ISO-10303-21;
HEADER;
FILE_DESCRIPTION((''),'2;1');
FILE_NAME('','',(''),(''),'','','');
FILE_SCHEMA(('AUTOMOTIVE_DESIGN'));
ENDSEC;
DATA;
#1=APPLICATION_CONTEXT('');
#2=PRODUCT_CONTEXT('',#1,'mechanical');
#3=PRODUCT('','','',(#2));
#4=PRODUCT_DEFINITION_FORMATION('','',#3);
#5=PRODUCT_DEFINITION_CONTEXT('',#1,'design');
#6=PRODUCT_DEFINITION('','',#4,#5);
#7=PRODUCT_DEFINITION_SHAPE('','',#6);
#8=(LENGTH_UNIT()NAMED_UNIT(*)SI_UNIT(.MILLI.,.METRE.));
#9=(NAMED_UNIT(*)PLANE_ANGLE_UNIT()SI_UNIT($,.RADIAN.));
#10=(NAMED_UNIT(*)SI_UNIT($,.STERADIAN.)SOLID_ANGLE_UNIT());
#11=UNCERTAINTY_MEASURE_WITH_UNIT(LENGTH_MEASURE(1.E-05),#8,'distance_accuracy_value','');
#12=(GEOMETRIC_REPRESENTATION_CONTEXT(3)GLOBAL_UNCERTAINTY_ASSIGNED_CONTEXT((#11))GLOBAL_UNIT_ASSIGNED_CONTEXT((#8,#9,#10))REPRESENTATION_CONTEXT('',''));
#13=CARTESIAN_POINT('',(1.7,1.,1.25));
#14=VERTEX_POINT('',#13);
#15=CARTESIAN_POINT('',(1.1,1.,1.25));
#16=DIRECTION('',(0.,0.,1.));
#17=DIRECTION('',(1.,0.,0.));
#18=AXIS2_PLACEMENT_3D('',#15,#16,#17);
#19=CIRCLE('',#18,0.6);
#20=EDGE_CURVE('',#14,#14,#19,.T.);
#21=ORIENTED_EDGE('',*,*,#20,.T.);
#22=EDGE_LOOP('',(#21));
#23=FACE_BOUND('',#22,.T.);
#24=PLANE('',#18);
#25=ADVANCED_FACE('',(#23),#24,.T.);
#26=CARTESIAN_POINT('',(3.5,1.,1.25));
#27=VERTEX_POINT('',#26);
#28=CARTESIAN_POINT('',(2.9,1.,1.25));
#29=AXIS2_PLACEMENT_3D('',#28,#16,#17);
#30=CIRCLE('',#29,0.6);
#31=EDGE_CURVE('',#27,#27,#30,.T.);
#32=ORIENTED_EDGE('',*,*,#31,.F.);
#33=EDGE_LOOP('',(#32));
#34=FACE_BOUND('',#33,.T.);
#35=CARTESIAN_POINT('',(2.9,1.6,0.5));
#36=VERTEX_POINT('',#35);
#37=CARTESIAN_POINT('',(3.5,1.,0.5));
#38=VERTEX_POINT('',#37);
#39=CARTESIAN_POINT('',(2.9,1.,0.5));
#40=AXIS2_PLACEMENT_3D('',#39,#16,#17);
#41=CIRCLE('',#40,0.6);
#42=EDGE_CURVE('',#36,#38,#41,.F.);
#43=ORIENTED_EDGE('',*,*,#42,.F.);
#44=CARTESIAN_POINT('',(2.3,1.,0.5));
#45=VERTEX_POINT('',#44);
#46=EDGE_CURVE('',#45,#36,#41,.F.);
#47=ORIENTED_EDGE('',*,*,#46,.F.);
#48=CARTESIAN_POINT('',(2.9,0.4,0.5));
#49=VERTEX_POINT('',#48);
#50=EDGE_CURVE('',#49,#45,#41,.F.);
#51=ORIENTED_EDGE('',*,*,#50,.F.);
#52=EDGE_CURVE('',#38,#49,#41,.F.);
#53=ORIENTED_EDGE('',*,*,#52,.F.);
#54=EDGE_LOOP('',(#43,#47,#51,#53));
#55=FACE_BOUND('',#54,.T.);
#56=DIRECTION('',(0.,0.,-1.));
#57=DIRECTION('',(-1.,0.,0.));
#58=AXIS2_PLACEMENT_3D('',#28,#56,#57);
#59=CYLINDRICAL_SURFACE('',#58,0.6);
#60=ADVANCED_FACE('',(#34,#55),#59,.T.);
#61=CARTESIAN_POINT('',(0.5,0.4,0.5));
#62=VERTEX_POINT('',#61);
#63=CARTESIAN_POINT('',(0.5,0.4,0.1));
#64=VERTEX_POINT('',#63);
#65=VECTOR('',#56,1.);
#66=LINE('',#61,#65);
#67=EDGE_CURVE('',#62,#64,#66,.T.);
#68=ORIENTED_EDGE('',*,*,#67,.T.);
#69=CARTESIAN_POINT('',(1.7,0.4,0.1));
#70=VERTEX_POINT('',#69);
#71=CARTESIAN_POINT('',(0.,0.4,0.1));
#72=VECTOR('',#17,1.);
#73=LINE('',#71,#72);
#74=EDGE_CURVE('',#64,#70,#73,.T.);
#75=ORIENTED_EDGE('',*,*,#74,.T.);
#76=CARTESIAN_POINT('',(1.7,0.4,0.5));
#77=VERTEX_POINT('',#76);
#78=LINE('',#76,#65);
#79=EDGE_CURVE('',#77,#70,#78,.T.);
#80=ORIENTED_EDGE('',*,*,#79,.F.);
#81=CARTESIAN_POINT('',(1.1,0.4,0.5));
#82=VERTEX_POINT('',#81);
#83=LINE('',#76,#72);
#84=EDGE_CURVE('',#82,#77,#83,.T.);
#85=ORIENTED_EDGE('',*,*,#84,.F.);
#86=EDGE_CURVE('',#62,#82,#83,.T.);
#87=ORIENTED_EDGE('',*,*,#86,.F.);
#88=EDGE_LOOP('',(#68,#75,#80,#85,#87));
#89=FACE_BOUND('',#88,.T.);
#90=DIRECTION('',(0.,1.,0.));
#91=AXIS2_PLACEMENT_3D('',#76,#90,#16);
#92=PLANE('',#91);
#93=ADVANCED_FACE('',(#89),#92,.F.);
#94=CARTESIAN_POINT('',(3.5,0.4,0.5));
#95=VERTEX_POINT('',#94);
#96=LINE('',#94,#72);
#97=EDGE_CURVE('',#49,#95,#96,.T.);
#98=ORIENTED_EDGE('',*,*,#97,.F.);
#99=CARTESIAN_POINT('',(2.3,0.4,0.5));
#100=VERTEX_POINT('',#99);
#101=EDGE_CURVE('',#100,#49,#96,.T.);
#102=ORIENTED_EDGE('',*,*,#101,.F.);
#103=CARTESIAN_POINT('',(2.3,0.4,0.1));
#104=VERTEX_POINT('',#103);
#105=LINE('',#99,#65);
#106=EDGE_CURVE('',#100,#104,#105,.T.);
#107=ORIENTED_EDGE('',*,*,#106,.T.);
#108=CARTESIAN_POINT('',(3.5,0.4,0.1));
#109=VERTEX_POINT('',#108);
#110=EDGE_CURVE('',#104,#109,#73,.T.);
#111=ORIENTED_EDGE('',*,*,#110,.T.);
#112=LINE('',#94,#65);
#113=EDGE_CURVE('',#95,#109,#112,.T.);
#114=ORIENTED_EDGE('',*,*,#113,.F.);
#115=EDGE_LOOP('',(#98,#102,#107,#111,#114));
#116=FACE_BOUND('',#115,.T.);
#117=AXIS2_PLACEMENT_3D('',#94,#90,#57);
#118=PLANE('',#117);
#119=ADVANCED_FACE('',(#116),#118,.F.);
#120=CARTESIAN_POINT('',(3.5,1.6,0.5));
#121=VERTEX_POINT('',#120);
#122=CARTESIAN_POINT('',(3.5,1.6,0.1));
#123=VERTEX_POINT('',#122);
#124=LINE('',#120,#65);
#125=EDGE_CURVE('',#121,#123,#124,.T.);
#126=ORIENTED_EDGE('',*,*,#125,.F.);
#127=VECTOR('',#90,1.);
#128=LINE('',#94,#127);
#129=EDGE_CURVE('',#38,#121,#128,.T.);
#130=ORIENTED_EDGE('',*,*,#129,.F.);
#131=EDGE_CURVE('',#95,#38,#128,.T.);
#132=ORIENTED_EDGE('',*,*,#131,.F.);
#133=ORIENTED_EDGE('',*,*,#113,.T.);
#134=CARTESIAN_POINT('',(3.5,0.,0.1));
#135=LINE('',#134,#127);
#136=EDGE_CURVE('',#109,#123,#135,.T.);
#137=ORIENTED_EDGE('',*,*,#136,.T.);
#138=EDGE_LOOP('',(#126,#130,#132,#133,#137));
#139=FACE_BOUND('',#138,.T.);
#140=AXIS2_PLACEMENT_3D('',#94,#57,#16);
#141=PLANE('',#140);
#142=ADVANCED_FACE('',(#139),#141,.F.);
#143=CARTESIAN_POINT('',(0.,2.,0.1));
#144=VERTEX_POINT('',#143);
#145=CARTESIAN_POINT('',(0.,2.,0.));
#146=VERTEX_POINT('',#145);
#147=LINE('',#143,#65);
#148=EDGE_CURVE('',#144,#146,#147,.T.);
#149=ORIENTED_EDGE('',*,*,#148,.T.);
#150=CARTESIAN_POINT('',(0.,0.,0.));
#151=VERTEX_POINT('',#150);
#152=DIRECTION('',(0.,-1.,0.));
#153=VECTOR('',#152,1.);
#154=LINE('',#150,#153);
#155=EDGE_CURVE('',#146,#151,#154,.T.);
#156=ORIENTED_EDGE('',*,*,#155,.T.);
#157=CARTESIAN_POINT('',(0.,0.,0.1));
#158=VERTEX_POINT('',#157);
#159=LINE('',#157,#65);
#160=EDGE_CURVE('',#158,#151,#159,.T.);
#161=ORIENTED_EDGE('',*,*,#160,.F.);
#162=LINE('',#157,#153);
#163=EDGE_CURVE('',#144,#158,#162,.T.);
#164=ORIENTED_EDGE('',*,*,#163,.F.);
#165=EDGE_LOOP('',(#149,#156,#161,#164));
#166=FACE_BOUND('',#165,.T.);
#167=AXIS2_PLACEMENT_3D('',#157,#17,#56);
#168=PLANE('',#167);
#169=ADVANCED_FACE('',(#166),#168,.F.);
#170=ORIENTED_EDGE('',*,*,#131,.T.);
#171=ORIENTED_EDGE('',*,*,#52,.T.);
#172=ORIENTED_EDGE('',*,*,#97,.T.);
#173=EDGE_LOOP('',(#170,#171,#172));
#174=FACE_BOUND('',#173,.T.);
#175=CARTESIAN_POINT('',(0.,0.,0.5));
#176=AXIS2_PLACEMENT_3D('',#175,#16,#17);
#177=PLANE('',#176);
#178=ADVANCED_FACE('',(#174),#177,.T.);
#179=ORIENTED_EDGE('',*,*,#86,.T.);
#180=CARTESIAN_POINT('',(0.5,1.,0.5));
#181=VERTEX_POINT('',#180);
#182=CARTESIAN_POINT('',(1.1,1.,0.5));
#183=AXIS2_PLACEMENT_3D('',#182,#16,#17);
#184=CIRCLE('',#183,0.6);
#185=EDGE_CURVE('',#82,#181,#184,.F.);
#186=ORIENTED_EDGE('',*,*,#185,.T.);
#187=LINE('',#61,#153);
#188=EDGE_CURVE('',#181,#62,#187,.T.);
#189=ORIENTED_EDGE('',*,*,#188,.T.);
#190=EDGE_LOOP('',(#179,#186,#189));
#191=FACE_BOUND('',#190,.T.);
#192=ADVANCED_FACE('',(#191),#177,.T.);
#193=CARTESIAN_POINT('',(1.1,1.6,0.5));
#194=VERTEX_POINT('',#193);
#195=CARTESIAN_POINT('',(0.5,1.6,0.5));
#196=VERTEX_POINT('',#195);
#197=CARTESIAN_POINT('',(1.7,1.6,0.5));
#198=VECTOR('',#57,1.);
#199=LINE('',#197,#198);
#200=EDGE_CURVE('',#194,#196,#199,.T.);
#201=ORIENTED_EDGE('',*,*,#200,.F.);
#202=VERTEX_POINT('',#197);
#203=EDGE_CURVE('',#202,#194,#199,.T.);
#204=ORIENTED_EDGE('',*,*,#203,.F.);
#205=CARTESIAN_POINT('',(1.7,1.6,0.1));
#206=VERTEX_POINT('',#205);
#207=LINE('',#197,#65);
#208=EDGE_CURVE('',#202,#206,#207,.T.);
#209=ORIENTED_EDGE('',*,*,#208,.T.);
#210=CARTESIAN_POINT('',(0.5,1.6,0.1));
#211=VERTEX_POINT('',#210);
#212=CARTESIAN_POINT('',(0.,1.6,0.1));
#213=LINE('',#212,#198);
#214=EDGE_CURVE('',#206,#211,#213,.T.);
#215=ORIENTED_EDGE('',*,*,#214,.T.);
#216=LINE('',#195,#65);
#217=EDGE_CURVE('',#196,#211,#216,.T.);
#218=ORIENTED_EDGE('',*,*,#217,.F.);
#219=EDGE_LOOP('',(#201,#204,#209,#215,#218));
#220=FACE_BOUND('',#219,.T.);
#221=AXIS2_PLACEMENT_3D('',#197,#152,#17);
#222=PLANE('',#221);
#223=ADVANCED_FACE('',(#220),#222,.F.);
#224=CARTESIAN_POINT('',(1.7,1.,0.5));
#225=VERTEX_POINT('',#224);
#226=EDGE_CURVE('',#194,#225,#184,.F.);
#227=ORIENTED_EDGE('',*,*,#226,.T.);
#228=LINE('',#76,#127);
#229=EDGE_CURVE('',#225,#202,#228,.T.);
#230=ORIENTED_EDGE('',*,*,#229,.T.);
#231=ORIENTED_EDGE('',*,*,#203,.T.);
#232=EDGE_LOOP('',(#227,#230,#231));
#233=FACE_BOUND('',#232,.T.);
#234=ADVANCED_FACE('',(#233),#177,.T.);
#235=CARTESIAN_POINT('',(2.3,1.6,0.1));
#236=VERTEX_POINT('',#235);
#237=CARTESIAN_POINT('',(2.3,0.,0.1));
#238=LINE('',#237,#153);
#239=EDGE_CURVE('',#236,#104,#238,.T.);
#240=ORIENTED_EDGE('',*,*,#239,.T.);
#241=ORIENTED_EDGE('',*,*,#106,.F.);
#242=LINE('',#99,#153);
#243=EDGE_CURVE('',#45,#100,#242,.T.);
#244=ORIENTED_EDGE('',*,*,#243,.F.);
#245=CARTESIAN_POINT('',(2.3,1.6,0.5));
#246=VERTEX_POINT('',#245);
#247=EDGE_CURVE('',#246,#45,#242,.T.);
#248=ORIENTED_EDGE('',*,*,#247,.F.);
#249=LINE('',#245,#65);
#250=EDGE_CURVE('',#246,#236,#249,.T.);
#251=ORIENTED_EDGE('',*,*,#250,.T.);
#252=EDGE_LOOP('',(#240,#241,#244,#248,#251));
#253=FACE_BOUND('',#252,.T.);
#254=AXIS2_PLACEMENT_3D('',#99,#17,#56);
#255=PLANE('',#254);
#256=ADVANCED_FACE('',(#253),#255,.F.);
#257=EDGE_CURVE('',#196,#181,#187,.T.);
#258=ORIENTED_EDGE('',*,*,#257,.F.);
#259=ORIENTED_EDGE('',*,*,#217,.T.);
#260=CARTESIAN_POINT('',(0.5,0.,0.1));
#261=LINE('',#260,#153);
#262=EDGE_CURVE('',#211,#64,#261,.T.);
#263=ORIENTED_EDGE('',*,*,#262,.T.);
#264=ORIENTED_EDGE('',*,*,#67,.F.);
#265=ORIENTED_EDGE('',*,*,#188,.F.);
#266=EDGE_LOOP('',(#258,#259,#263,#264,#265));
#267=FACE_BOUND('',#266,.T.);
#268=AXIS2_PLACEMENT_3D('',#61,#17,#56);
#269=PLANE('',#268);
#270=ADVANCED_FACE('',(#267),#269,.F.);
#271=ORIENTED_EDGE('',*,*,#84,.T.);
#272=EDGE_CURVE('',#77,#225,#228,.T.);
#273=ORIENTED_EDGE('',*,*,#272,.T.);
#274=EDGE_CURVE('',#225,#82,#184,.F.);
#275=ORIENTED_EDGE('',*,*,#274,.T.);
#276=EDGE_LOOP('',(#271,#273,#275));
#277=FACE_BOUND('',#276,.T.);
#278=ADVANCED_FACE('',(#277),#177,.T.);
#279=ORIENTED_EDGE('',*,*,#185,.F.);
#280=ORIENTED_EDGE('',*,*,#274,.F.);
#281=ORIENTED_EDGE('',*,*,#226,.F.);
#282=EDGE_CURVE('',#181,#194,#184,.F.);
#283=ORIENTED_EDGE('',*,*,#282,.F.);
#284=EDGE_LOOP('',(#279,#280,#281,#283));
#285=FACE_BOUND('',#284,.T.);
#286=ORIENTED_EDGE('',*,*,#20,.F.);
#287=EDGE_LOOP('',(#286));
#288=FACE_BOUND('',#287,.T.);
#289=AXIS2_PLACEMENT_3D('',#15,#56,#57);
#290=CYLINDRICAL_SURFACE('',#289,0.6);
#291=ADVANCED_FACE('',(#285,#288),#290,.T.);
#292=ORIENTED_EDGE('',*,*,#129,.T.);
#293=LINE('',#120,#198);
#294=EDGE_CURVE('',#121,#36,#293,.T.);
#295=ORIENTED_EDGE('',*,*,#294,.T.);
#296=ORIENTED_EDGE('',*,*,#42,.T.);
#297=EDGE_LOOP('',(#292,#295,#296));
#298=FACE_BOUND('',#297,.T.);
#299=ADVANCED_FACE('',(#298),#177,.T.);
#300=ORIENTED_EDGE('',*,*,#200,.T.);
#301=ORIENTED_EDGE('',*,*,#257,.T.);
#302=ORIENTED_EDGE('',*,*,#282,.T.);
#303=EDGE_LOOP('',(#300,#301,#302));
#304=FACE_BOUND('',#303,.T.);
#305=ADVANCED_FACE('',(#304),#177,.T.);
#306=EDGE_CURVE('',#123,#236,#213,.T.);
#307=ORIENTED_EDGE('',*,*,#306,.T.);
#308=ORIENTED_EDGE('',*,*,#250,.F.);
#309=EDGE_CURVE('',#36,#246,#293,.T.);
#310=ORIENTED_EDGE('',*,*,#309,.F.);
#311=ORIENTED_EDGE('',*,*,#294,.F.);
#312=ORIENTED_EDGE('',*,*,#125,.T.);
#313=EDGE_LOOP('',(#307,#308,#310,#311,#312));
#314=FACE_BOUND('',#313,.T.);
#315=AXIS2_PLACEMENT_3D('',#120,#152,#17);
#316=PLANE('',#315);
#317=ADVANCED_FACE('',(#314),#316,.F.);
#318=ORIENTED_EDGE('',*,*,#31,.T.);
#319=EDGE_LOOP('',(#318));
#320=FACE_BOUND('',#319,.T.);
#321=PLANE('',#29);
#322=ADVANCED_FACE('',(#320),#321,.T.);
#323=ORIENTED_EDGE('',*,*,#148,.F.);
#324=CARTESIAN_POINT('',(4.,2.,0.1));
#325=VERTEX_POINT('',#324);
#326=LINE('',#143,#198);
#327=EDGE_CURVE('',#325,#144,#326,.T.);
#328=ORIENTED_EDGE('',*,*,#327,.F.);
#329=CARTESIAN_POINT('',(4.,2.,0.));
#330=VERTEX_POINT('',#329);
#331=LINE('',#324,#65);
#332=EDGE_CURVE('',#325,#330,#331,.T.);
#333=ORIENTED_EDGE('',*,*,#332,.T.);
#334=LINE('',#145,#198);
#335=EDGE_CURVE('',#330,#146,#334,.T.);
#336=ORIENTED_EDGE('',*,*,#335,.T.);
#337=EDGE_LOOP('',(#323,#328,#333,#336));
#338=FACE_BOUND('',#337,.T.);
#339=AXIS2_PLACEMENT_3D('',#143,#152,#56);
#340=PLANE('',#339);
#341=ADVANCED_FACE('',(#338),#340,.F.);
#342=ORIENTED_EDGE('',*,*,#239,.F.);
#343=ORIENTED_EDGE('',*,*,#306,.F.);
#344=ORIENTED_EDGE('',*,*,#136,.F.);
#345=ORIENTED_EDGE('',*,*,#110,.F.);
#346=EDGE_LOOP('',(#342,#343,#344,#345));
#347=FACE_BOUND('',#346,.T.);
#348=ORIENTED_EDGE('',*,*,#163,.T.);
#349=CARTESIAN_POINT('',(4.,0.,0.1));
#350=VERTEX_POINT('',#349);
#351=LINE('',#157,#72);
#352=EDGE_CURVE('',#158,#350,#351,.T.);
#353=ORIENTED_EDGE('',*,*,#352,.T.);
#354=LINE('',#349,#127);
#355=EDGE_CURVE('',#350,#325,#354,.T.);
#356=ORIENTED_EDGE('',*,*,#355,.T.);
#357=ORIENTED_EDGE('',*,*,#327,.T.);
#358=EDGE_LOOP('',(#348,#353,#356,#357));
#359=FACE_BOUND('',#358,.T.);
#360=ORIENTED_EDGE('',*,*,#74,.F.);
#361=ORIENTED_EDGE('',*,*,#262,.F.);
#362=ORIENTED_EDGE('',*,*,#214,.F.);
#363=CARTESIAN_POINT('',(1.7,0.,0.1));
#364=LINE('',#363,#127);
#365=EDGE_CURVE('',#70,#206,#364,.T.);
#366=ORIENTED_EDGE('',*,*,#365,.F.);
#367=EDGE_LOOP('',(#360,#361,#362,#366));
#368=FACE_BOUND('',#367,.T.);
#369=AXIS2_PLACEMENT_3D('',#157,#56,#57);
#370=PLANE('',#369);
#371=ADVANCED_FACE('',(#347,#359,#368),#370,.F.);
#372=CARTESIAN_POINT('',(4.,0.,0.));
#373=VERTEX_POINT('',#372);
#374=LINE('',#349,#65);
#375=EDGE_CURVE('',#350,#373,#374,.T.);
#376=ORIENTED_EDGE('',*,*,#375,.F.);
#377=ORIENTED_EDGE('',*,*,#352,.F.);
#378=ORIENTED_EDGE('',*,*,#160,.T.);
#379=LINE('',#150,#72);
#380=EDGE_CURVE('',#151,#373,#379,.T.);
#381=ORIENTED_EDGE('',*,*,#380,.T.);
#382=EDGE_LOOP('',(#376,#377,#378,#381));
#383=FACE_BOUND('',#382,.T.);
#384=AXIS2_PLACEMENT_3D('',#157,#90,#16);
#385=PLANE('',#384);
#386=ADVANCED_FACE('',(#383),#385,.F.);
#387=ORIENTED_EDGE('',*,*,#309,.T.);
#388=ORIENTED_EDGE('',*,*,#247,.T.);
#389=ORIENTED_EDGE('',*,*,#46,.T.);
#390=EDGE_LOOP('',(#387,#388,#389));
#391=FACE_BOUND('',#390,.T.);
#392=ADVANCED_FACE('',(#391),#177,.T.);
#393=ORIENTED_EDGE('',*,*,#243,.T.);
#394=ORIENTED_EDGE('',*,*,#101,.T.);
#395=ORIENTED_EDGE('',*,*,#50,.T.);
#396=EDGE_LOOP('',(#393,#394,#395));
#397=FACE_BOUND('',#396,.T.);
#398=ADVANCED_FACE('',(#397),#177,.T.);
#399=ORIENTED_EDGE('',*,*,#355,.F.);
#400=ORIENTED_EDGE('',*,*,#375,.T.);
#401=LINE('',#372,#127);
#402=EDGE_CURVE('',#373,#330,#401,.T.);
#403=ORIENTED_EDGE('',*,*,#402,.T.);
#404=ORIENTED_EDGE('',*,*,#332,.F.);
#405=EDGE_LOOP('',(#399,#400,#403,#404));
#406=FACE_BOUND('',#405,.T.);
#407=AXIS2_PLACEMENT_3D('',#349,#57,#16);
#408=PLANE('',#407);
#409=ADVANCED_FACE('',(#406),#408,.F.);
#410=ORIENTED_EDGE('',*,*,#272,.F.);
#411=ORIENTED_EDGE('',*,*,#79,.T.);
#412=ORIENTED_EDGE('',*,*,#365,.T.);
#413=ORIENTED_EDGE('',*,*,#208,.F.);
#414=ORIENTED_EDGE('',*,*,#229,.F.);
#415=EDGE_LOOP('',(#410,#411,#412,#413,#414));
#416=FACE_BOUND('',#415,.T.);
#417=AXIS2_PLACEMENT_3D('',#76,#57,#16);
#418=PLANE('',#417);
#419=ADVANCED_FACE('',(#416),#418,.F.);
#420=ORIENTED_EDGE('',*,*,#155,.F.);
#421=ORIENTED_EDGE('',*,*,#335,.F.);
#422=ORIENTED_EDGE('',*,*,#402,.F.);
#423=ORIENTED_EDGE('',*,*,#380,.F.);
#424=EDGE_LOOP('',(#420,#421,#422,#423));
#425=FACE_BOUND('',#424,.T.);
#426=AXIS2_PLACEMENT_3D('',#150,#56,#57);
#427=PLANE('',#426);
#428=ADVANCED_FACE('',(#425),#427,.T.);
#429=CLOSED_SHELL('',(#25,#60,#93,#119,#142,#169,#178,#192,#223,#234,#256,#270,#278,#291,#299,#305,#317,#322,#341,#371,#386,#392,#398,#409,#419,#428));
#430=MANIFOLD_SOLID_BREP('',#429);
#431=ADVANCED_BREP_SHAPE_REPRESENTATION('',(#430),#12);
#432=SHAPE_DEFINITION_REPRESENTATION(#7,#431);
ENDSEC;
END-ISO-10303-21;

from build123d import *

# Parameters (mm, degrees)
ESQUISSE_1_W       = 4
ESQUISSE_1_H       = 2
BOSS_EXTRU_2_DEPTH = 0.1
ESQUISSE_2_W       = 1.2
ESQUISSE_2_H       = 1.2
BOSS_EXTRU_3_DEPTH = 0.5
ESQUISSE_3_R       = 0.6
BOSS_EXTRU_4_DEPTH = 1.25


with BuildPart() as part:
    # Esquisse 1 → Boss.-Extru.2 (new body)
    with BuildSketch(Plane.XY):
        with Locations((2, 1)):
            Rectangle(ESQUISSE_1_W, ESQUISSE_1_H)
    extrude(amount=BOSS_EXTRU_2_DEPTH)

    # Esquisse 2 → Boss.-Extru.3 (add)
    with BuildSketch(Plane.XY):
        with Locations((1.1, 1)):
            Rectangle(ESQUISSE_2_W, ESQUISSE_2_H)
        with Locations((2.9, 1)):
            Rectangle(ESQUISSE_2_W, ESQUISSE_2_H)
    extrude(amount=BOSS_EXTRU_3_DEPTH)

    # Esquisse 3 → Boss.-Extru.4 (add)
    with BuildSketch(Plane.XY):
        with Locations((1.1, 1)):
            Circle(ESQUISSE_3_R)
        with Locations((2.9, 1)):
            Circle(ESQUISSE_3_R)
    extrude(amount=BOSS_EXTRU_4_DEPTH)


solid = part.part
